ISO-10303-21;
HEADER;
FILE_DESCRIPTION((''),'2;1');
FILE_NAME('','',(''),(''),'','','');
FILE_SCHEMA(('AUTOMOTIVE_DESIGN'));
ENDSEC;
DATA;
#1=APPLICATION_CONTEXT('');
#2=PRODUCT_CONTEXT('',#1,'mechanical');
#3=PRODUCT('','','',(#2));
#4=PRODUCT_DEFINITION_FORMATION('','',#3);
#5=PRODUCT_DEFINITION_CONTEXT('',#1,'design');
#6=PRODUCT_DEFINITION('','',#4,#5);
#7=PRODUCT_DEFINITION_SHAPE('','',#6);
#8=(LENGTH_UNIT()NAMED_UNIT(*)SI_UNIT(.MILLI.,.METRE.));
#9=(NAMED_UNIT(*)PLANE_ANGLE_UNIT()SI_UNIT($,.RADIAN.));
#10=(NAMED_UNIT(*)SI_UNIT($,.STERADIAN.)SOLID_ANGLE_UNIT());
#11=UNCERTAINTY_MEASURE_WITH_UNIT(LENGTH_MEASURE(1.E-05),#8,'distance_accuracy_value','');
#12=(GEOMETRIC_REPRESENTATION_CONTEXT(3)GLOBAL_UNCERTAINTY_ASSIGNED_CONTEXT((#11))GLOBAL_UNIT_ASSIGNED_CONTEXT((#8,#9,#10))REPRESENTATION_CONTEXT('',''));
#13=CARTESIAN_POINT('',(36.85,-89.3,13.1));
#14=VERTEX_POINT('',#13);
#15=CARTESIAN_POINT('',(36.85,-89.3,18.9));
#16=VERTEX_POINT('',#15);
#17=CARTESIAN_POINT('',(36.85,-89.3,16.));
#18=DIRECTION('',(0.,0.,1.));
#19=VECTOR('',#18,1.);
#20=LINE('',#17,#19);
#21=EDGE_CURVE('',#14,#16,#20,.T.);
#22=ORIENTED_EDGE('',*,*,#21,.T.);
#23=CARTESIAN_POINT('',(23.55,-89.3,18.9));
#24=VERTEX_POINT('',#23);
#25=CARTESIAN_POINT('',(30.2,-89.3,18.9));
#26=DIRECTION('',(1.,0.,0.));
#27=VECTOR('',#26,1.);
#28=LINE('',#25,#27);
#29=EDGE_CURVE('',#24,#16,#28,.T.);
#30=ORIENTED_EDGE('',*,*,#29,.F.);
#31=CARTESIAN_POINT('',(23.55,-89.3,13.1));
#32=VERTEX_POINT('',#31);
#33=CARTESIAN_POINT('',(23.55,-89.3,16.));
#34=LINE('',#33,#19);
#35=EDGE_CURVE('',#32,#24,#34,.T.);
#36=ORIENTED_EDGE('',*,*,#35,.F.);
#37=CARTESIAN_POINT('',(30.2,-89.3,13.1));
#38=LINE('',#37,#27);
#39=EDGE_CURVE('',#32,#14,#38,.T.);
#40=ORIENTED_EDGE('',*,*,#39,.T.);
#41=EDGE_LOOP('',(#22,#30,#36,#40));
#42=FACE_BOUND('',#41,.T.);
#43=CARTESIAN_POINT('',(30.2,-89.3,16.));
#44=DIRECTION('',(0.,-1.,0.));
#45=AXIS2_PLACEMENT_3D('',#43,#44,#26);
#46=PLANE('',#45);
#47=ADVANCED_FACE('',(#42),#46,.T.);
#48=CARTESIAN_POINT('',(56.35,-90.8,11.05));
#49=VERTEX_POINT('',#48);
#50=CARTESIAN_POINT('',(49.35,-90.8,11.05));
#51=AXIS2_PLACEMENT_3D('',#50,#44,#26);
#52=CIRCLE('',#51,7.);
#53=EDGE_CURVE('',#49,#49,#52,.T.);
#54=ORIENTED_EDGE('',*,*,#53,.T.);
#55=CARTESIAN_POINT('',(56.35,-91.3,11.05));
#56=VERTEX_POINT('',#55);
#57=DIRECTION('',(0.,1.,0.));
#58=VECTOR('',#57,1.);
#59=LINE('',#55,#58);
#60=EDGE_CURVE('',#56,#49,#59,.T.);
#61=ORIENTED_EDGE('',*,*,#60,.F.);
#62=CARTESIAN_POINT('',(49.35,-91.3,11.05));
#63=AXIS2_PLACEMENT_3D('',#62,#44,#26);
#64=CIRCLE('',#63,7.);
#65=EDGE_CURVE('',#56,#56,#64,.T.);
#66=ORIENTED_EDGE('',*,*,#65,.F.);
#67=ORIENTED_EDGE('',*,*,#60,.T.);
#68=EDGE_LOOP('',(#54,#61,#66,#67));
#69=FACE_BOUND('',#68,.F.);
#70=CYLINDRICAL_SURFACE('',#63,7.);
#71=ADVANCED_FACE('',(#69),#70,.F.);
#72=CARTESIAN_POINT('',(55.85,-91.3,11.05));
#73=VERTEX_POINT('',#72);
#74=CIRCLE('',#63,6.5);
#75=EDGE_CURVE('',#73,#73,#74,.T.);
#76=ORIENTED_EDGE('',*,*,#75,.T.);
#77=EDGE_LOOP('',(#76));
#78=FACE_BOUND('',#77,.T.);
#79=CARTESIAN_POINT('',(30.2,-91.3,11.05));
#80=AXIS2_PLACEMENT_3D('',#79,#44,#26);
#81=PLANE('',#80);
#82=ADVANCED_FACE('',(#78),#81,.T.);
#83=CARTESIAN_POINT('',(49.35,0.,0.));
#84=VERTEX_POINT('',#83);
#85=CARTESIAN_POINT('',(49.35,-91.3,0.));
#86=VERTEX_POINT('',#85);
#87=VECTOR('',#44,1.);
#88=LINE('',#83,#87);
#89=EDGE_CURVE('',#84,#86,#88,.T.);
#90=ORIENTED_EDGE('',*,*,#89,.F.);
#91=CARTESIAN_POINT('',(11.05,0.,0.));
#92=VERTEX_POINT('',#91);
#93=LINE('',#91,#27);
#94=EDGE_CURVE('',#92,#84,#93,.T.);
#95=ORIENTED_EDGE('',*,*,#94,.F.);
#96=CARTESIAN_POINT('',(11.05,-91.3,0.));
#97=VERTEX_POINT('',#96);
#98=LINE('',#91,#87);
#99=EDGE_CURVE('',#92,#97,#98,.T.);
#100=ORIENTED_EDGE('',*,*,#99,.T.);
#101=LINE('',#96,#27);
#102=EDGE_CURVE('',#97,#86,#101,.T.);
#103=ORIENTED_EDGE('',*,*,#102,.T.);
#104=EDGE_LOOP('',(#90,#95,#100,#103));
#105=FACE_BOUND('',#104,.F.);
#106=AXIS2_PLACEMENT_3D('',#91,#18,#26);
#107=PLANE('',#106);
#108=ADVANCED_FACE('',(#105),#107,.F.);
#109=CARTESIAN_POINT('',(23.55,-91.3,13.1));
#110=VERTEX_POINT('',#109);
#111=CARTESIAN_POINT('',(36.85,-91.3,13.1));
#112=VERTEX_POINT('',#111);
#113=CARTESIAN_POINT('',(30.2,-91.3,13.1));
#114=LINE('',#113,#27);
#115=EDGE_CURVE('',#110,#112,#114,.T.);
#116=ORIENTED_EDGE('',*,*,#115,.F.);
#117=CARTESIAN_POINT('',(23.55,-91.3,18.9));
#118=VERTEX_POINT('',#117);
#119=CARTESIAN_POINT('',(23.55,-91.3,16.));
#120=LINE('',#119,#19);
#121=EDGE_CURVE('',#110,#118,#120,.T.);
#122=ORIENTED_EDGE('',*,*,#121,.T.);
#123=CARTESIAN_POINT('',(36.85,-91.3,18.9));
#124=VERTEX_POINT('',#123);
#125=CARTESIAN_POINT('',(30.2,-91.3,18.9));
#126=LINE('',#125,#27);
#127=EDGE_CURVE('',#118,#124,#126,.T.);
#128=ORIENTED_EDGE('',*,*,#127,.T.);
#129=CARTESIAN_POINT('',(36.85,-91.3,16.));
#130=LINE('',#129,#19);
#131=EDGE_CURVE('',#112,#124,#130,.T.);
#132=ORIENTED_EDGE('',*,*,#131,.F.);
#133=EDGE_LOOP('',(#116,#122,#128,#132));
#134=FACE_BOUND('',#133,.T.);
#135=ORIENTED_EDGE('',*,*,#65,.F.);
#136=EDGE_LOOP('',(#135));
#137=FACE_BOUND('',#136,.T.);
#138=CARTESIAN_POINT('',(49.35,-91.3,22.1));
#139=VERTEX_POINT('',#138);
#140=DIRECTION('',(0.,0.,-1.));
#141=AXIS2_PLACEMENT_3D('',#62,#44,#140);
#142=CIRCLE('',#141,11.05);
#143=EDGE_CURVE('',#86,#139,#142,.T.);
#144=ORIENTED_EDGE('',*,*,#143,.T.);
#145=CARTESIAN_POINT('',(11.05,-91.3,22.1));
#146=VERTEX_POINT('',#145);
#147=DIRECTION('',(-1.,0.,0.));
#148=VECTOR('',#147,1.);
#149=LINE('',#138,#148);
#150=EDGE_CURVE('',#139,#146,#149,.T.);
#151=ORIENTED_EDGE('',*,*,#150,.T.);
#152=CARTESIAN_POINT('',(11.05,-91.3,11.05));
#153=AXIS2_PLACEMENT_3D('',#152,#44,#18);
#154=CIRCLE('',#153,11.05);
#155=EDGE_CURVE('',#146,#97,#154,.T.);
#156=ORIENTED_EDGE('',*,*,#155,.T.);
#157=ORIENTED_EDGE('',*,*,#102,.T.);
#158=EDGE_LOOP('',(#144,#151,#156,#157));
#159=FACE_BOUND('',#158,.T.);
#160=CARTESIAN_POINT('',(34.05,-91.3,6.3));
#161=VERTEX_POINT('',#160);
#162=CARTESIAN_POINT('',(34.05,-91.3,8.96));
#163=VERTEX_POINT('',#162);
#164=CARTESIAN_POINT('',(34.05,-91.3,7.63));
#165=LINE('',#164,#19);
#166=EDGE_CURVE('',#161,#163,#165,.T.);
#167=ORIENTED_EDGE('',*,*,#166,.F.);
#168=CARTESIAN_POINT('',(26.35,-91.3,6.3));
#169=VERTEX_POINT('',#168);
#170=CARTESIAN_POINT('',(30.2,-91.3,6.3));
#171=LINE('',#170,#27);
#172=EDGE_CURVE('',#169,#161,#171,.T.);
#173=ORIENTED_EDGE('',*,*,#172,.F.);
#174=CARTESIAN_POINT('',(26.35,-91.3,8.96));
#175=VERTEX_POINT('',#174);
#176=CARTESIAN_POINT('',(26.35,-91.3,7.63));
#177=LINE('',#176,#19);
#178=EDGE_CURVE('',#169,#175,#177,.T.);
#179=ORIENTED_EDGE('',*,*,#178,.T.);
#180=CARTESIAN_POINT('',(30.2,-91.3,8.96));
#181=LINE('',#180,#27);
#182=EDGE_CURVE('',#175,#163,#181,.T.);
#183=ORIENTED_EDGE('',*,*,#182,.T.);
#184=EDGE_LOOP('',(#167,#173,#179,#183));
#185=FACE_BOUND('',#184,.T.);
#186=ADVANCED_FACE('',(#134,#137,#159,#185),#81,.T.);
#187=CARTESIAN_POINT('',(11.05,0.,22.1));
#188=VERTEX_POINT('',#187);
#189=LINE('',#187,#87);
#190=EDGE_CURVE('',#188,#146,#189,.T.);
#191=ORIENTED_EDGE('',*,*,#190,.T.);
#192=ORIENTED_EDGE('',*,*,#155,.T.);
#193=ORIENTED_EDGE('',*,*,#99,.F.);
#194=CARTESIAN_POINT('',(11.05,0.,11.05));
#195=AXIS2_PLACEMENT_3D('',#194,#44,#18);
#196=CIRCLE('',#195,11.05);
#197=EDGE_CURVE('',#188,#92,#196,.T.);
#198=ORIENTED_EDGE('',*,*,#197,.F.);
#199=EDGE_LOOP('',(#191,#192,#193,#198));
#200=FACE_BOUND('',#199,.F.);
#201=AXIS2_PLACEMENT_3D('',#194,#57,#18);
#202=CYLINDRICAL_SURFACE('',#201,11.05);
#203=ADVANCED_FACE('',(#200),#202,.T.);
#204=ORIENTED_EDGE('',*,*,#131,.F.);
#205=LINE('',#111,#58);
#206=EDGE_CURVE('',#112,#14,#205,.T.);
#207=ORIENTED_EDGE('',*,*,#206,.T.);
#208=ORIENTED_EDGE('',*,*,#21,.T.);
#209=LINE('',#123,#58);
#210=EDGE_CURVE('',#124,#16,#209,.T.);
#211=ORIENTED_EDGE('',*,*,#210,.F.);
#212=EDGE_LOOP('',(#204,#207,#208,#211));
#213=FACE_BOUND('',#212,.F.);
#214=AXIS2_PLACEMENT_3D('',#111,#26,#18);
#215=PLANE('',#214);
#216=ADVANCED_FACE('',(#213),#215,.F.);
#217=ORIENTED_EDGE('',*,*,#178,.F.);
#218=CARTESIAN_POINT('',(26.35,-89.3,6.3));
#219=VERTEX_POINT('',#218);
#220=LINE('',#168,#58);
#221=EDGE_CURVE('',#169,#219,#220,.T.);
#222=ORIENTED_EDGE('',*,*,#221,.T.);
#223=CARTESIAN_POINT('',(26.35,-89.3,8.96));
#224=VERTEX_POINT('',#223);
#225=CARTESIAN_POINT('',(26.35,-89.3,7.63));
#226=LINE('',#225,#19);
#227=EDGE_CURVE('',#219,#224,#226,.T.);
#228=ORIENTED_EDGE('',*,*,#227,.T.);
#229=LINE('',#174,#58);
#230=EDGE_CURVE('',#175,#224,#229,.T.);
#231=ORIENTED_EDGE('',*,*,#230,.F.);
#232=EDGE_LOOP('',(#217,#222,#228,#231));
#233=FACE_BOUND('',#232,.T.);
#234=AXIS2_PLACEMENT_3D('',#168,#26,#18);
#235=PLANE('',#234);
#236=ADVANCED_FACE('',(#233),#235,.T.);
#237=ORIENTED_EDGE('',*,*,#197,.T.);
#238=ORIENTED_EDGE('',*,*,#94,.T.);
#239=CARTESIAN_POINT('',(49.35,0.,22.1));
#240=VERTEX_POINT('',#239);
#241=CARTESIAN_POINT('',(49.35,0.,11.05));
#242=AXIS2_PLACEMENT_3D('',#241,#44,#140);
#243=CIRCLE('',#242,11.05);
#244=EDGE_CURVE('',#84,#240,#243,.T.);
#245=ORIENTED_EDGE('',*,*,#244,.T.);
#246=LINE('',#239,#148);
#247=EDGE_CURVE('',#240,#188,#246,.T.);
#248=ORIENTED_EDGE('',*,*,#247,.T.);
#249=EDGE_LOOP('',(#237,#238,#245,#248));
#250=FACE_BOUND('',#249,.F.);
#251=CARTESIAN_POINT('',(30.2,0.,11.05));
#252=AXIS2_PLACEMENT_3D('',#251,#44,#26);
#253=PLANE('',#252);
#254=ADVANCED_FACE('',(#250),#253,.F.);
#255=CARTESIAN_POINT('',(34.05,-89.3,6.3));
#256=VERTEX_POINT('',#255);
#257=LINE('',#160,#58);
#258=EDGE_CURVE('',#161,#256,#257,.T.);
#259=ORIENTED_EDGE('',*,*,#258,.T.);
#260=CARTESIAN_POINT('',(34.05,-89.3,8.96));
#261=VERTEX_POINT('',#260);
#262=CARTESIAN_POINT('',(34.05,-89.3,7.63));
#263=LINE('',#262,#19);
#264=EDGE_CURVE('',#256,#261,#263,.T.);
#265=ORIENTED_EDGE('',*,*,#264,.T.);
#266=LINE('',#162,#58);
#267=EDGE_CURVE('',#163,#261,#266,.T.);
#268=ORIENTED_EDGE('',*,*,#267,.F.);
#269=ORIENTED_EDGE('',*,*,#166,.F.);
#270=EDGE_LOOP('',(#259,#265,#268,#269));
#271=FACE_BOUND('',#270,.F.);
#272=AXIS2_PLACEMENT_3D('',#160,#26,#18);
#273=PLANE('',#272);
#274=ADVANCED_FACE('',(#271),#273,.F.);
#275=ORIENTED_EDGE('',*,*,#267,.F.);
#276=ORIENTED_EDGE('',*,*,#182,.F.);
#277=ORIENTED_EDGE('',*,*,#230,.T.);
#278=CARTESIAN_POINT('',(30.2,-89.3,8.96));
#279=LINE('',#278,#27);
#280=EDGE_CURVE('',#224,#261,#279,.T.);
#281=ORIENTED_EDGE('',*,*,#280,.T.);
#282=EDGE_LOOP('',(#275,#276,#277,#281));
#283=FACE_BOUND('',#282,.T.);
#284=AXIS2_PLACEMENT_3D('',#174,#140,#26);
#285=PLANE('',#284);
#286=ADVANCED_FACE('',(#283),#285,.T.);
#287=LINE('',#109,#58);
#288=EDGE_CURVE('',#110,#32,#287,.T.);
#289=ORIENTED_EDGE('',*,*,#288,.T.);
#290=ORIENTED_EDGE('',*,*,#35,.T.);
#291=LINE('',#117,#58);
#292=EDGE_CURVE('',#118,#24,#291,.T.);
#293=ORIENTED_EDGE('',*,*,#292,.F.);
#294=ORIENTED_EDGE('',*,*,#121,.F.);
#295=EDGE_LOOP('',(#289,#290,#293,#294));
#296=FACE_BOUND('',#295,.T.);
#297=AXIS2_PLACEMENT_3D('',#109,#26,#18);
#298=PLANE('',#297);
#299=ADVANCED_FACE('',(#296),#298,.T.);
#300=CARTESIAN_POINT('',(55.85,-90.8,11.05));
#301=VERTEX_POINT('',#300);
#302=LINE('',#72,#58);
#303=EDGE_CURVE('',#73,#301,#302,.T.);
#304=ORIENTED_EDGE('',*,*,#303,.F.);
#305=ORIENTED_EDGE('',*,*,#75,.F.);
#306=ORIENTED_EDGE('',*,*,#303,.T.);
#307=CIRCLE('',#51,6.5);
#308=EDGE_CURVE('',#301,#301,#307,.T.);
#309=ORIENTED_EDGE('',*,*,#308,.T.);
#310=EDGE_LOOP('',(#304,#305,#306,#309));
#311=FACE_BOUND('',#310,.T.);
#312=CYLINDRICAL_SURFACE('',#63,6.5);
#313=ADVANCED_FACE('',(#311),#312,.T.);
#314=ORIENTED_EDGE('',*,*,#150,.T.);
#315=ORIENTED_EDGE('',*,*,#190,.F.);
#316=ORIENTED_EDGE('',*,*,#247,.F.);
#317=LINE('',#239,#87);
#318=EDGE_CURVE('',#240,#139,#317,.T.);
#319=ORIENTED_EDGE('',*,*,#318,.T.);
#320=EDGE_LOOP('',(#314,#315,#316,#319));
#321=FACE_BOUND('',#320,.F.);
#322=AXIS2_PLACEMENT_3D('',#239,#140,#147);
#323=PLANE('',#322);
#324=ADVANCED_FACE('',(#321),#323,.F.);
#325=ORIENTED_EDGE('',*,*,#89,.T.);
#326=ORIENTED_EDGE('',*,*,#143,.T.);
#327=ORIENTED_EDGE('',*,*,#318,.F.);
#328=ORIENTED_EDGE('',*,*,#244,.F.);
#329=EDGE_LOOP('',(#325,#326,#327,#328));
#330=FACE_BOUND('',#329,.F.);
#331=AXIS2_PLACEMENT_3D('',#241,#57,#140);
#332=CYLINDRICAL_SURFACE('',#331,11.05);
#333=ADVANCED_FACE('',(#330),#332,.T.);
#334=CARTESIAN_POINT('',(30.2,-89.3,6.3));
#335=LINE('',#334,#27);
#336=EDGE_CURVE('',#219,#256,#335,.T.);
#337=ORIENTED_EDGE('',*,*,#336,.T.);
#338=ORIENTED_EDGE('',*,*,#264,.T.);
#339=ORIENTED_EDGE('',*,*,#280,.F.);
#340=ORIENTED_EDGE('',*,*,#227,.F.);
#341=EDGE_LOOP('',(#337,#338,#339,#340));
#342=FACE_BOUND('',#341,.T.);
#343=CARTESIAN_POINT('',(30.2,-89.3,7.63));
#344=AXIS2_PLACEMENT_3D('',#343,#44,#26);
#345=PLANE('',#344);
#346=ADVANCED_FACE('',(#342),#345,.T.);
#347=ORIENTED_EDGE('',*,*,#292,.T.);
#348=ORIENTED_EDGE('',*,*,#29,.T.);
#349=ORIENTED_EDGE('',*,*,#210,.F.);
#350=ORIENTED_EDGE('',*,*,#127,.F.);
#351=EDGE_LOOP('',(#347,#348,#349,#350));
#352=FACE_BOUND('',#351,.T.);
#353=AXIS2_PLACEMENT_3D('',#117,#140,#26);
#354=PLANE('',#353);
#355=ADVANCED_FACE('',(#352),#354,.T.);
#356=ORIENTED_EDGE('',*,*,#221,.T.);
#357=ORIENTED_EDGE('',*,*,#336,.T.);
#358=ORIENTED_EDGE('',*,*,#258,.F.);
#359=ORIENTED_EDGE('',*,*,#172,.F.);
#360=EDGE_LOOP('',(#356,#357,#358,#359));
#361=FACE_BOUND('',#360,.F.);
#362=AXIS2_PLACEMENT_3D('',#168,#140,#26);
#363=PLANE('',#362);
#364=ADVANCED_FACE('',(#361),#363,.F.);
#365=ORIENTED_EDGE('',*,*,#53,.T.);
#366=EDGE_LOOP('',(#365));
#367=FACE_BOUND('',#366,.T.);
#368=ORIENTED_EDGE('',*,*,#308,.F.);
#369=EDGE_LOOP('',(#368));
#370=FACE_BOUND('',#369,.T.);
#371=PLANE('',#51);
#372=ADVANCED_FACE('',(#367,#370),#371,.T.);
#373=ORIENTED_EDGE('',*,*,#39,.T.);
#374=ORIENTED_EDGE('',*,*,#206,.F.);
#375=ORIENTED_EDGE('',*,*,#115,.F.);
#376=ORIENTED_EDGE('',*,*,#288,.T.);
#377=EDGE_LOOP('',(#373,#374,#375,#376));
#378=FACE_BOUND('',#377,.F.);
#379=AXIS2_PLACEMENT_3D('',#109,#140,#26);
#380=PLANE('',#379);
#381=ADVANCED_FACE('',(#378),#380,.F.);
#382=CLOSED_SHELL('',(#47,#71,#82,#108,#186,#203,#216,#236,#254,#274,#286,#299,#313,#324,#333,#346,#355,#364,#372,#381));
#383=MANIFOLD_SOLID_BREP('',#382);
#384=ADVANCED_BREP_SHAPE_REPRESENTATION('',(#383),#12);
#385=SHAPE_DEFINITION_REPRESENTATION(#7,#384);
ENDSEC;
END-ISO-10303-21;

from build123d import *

# Parameters (mm, degrees)
F1_DEPTH = 91.3
F2_W     = 13.3
F2_H     = 5.8
F2_W_2   = 7.7
F2_H_2   = 2.66
F3_DEPTH = 2
F4_R     = 7
F4_R_2   = 6.5
F5_DEPTH = 0.5


with BuildPart() as f1:
    # F0 (on Front) → F1 (new body)
    with BuildSketch(Plane.XZ):
        with BuildLine():
            Line((49.35, 22.1), (11.05, 22.1))
            ThreePointArc((11.05, 22.1), (0, 11.05), (11.05, 0))
            Line((11.05, 0), (49.35, 0))
            ThreePointArc((49.35, 0), (60.4, 11.05), (49.35, 22.1))
        make_face()
    extrude(amount=F1_DEPTH)

    # F2 (on face) → F3 (cut)
    with BuildSketch(Plane.XZ.offset(91.3)):
        with Locations((30.2, 16)):
            Rectangle(F2_W, F2_H)
        with Locations((30.2, 7.63)):
            Rectangle(F2_W_2, F2_H_2)
    extrude(amount=-F3_DEPTH, mode=Mode.SUBTRACT)

    # F4 (on face) → F5 (cut)
    with BuildSketch(Plane.XZ.offset(91.3)):
        with Locations((49.35, 11.05)):
            Circle(F4_R)
        with Locations((49.35, 11.05)):
            Circle(F4_R_2, mode=Mode.SUBTRACT)
    extrude(amount=-F5_DEPTH, mode=Mode.SUBTRACT)


solid = f1.part
